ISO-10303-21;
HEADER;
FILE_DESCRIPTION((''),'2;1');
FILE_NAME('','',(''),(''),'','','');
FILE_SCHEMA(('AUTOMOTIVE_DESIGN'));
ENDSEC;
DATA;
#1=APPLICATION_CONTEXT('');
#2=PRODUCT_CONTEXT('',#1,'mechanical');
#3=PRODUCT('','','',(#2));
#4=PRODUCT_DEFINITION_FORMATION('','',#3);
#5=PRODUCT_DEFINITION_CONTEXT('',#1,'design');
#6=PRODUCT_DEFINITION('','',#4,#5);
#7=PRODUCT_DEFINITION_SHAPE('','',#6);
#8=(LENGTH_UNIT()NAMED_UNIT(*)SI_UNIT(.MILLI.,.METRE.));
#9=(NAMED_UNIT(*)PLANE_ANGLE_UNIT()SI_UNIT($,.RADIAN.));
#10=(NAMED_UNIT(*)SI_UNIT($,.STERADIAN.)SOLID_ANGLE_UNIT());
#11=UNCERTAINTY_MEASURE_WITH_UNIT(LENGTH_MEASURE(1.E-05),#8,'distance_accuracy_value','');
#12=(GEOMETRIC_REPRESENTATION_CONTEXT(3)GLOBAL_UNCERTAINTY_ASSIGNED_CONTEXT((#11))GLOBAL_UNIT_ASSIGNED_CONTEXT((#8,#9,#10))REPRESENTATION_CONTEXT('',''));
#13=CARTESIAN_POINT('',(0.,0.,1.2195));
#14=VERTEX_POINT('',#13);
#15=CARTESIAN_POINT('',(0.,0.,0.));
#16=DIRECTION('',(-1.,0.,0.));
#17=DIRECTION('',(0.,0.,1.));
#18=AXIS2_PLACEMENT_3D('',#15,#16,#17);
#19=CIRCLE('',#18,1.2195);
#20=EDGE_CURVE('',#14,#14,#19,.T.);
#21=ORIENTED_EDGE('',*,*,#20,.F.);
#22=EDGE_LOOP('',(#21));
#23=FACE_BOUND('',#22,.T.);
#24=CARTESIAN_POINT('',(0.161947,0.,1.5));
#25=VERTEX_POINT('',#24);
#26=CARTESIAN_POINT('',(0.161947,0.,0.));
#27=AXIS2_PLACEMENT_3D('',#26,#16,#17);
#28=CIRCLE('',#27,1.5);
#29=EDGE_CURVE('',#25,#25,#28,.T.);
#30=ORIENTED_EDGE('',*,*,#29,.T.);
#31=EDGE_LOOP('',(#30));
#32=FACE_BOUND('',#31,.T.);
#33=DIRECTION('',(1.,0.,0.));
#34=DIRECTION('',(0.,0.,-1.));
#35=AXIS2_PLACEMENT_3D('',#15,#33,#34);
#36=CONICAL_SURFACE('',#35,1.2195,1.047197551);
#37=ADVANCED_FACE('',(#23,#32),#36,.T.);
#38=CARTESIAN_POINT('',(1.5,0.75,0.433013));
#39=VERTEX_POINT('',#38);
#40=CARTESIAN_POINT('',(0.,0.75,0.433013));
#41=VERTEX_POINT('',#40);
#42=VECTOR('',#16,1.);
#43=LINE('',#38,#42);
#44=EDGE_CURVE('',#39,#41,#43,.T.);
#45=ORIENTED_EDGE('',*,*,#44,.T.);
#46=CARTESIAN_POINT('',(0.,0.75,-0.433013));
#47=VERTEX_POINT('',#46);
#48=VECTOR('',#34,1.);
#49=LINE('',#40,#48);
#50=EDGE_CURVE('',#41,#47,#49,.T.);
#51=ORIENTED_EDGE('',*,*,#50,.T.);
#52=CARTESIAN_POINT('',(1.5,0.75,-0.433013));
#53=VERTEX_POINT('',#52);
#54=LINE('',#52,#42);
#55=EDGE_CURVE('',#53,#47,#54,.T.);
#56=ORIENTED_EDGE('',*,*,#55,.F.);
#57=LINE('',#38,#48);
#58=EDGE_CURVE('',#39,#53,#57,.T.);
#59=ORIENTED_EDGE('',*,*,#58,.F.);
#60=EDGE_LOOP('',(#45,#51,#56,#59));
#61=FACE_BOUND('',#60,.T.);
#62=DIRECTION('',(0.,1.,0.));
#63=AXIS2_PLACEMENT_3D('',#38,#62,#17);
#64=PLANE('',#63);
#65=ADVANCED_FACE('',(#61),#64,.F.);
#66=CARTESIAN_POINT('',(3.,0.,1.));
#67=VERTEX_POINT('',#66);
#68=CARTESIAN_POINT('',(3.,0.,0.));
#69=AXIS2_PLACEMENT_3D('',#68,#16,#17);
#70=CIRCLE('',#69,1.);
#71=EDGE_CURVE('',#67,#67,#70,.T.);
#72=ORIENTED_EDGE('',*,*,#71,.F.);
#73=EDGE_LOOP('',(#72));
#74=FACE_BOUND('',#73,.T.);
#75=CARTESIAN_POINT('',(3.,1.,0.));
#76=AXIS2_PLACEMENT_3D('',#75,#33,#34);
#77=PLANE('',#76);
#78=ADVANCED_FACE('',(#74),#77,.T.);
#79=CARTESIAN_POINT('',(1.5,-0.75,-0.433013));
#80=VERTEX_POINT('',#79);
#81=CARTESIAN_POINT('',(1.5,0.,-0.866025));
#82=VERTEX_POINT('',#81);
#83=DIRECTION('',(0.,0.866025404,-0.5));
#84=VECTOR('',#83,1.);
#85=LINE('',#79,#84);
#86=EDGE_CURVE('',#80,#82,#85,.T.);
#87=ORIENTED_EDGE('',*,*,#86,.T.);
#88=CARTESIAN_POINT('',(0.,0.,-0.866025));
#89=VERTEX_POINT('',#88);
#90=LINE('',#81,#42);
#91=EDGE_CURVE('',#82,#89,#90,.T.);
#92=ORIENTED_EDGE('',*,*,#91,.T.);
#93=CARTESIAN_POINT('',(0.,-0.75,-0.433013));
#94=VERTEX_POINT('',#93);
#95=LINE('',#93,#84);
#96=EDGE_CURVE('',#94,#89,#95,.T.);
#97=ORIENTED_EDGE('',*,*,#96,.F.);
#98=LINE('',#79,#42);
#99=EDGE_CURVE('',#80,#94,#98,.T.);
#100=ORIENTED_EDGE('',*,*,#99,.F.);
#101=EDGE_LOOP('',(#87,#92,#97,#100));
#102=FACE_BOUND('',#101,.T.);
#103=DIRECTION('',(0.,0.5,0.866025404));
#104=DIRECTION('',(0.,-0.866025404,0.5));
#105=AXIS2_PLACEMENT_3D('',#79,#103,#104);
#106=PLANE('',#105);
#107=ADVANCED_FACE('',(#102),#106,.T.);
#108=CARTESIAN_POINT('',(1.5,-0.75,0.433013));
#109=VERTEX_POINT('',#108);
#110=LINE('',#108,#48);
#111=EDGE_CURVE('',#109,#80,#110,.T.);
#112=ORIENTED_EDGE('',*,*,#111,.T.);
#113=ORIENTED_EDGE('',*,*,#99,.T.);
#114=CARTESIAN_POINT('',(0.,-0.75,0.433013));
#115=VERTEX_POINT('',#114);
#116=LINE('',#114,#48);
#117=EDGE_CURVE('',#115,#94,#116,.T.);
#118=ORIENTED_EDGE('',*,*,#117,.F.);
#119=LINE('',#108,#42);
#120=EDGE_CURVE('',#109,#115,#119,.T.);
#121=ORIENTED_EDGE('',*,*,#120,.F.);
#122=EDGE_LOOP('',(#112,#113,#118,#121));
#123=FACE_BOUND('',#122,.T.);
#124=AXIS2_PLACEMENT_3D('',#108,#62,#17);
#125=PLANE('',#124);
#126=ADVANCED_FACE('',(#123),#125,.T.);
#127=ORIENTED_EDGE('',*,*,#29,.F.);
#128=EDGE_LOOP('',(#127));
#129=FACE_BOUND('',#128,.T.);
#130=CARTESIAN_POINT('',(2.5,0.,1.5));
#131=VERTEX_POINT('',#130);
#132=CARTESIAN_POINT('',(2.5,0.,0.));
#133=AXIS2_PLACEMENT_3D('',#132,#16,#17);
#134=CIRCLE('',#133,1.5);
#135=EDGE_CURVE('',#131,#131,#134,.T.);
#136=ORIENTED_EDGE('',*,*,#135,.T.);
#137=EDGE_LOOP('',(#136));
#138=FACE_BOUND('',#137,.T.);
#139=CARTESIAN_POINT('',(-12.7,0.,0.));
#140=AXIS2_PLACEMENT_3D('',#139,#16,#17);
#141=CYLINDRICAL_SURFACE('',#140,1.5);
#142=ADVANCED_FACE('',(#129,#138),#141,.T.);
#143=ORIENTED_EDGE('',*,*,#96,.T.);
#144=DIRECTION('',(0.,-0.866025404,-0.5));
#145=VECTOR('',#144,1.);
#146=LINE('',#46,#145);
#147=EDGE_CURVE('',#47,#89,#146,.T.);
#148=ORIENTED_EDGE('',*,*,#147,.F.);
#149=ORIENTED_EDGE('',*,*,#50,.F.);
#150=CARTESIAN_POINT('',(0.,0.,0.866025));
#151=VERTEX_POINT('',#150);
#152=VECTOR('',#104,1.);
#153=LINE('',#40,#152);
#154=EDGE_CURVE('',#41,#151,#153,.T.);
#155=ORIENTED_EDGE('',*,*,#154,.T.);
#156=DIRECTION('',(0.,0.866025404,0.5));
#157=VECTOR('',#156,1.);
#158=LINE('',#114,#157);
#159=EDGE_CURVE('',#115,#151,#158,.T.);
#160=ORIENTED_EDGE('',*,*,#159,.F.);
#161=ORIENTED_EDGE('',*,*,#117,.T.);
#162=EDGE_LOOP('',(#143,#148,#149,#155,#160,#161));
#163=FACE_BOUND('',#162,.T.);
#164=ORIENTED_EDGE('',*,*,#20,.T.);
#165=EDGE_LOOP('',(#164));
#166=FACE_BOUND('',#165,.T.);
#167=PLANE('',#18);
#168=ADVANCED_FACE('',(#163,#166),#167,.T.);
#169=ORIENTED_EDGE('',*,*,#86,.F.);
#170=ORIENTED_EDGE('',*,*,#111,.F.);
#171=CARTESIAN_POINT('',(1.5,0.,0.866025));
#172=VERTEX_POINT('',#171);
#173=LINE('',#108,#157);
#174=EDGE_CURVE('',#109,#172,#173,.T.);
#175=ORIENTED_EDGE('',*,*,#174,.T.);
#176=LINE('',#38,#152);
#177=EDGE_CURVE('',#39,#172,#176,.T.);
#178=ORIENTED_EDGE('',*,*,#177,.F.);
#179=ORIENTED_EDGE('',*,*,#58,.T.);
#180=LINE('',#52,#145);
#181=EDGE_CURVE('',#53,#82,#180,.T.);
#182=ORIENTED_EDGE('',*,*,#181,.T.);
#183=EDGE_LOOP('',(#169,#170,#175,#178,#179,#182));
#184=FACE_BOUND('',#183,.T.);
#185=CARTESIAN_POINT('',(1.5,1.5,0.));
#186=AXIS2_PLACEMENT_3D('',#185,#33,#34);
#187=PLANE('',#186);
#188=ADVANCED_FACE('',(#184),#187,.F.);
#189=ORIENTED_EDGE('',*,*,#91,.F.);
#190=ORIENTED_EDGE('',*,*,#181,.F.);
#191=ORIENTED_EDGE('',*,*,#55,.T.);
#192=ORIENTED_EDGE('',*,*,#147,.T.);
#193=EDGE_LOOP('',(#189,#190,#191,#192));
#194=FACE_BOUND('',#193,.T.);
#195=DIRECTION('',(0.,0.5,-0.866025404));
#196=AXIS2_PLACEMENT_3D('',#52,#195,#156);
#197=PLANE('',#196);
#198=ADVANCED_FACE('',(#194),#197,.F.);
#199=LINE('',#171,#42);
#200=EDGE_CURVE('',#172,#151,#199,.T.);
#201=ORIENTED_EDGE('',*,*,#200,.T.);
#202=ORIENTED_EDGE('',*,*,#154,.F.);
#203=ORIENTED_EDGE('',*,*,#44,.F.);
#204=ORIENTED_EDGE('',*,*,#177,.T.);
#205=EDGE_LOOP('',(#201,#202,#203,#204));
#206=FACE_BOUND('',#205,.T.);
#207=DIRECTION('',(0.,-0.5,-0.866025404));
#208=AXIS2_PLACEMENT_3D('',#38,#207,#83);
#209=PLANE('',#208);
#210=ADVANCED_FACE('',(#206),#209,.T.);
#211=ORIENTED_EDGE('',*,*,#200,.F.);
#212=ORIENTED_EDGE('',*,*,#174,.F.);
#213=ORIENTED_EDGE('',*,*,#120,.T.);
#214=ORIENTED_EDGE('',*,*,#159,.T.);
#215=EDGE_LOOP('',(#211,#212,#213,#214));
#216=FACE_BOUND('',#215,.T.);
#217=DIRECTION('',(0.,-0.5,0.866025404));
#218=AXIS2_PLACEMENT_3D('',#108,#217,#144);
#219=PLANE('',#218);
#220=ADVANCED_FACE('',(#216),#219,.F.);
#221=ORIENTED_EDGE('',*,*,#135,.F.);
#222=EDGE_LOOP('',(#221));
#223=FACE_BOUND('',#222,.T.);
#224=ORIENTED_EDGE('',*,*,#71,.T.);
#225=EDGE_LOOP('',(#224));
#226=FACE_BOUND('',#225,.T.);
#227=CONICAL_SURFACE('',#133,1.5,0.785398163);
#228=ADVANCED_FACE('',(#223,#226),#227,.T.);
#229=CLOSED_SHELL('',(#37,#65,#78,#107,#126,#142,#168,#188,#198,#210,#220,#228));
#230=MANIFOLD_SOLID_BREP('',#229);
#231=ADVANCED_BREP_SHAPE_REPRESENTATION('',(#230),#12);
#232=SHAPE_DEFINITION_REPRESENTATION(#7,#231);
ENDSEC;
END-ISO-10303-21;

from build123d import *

# Parameters (mm, degrees)
HEX_2_DEPTH = 1.5


with BuildPart() as part:
    # BodySke → BaseBody (revolve)
    with BuildSketch(Plane.XY, mode=Mode.PRIVATE) as basebody_sk:
        Polygon((0, 0), (0, 1.2195), (0.161946751, 1.5), (2.5, 1.5), (3, 1), (3, 0), align=None)
    revolve(basebody_sk.sketch.rotate(Axis((-12.7, 0, 0), (1, 0, 0)), 90), axis=Axis((-12.7, 0, 0), (1, 0, 0)))

    # Sketch2 → Hex 2 (cut)
    with BuildSketch(Plane.ZY):
        Polygon((0.433012702, 0.75), (-0.433012702, 0.75), (-0.866025404, 0), (-0.433012702, -0.75), (0.433012702, -0.75), (0.866025404, 0), align=None)
    extrude(amount=-HEX_2_DEPTH, mode=Mode.SUBTRACT)


solid = part.part
